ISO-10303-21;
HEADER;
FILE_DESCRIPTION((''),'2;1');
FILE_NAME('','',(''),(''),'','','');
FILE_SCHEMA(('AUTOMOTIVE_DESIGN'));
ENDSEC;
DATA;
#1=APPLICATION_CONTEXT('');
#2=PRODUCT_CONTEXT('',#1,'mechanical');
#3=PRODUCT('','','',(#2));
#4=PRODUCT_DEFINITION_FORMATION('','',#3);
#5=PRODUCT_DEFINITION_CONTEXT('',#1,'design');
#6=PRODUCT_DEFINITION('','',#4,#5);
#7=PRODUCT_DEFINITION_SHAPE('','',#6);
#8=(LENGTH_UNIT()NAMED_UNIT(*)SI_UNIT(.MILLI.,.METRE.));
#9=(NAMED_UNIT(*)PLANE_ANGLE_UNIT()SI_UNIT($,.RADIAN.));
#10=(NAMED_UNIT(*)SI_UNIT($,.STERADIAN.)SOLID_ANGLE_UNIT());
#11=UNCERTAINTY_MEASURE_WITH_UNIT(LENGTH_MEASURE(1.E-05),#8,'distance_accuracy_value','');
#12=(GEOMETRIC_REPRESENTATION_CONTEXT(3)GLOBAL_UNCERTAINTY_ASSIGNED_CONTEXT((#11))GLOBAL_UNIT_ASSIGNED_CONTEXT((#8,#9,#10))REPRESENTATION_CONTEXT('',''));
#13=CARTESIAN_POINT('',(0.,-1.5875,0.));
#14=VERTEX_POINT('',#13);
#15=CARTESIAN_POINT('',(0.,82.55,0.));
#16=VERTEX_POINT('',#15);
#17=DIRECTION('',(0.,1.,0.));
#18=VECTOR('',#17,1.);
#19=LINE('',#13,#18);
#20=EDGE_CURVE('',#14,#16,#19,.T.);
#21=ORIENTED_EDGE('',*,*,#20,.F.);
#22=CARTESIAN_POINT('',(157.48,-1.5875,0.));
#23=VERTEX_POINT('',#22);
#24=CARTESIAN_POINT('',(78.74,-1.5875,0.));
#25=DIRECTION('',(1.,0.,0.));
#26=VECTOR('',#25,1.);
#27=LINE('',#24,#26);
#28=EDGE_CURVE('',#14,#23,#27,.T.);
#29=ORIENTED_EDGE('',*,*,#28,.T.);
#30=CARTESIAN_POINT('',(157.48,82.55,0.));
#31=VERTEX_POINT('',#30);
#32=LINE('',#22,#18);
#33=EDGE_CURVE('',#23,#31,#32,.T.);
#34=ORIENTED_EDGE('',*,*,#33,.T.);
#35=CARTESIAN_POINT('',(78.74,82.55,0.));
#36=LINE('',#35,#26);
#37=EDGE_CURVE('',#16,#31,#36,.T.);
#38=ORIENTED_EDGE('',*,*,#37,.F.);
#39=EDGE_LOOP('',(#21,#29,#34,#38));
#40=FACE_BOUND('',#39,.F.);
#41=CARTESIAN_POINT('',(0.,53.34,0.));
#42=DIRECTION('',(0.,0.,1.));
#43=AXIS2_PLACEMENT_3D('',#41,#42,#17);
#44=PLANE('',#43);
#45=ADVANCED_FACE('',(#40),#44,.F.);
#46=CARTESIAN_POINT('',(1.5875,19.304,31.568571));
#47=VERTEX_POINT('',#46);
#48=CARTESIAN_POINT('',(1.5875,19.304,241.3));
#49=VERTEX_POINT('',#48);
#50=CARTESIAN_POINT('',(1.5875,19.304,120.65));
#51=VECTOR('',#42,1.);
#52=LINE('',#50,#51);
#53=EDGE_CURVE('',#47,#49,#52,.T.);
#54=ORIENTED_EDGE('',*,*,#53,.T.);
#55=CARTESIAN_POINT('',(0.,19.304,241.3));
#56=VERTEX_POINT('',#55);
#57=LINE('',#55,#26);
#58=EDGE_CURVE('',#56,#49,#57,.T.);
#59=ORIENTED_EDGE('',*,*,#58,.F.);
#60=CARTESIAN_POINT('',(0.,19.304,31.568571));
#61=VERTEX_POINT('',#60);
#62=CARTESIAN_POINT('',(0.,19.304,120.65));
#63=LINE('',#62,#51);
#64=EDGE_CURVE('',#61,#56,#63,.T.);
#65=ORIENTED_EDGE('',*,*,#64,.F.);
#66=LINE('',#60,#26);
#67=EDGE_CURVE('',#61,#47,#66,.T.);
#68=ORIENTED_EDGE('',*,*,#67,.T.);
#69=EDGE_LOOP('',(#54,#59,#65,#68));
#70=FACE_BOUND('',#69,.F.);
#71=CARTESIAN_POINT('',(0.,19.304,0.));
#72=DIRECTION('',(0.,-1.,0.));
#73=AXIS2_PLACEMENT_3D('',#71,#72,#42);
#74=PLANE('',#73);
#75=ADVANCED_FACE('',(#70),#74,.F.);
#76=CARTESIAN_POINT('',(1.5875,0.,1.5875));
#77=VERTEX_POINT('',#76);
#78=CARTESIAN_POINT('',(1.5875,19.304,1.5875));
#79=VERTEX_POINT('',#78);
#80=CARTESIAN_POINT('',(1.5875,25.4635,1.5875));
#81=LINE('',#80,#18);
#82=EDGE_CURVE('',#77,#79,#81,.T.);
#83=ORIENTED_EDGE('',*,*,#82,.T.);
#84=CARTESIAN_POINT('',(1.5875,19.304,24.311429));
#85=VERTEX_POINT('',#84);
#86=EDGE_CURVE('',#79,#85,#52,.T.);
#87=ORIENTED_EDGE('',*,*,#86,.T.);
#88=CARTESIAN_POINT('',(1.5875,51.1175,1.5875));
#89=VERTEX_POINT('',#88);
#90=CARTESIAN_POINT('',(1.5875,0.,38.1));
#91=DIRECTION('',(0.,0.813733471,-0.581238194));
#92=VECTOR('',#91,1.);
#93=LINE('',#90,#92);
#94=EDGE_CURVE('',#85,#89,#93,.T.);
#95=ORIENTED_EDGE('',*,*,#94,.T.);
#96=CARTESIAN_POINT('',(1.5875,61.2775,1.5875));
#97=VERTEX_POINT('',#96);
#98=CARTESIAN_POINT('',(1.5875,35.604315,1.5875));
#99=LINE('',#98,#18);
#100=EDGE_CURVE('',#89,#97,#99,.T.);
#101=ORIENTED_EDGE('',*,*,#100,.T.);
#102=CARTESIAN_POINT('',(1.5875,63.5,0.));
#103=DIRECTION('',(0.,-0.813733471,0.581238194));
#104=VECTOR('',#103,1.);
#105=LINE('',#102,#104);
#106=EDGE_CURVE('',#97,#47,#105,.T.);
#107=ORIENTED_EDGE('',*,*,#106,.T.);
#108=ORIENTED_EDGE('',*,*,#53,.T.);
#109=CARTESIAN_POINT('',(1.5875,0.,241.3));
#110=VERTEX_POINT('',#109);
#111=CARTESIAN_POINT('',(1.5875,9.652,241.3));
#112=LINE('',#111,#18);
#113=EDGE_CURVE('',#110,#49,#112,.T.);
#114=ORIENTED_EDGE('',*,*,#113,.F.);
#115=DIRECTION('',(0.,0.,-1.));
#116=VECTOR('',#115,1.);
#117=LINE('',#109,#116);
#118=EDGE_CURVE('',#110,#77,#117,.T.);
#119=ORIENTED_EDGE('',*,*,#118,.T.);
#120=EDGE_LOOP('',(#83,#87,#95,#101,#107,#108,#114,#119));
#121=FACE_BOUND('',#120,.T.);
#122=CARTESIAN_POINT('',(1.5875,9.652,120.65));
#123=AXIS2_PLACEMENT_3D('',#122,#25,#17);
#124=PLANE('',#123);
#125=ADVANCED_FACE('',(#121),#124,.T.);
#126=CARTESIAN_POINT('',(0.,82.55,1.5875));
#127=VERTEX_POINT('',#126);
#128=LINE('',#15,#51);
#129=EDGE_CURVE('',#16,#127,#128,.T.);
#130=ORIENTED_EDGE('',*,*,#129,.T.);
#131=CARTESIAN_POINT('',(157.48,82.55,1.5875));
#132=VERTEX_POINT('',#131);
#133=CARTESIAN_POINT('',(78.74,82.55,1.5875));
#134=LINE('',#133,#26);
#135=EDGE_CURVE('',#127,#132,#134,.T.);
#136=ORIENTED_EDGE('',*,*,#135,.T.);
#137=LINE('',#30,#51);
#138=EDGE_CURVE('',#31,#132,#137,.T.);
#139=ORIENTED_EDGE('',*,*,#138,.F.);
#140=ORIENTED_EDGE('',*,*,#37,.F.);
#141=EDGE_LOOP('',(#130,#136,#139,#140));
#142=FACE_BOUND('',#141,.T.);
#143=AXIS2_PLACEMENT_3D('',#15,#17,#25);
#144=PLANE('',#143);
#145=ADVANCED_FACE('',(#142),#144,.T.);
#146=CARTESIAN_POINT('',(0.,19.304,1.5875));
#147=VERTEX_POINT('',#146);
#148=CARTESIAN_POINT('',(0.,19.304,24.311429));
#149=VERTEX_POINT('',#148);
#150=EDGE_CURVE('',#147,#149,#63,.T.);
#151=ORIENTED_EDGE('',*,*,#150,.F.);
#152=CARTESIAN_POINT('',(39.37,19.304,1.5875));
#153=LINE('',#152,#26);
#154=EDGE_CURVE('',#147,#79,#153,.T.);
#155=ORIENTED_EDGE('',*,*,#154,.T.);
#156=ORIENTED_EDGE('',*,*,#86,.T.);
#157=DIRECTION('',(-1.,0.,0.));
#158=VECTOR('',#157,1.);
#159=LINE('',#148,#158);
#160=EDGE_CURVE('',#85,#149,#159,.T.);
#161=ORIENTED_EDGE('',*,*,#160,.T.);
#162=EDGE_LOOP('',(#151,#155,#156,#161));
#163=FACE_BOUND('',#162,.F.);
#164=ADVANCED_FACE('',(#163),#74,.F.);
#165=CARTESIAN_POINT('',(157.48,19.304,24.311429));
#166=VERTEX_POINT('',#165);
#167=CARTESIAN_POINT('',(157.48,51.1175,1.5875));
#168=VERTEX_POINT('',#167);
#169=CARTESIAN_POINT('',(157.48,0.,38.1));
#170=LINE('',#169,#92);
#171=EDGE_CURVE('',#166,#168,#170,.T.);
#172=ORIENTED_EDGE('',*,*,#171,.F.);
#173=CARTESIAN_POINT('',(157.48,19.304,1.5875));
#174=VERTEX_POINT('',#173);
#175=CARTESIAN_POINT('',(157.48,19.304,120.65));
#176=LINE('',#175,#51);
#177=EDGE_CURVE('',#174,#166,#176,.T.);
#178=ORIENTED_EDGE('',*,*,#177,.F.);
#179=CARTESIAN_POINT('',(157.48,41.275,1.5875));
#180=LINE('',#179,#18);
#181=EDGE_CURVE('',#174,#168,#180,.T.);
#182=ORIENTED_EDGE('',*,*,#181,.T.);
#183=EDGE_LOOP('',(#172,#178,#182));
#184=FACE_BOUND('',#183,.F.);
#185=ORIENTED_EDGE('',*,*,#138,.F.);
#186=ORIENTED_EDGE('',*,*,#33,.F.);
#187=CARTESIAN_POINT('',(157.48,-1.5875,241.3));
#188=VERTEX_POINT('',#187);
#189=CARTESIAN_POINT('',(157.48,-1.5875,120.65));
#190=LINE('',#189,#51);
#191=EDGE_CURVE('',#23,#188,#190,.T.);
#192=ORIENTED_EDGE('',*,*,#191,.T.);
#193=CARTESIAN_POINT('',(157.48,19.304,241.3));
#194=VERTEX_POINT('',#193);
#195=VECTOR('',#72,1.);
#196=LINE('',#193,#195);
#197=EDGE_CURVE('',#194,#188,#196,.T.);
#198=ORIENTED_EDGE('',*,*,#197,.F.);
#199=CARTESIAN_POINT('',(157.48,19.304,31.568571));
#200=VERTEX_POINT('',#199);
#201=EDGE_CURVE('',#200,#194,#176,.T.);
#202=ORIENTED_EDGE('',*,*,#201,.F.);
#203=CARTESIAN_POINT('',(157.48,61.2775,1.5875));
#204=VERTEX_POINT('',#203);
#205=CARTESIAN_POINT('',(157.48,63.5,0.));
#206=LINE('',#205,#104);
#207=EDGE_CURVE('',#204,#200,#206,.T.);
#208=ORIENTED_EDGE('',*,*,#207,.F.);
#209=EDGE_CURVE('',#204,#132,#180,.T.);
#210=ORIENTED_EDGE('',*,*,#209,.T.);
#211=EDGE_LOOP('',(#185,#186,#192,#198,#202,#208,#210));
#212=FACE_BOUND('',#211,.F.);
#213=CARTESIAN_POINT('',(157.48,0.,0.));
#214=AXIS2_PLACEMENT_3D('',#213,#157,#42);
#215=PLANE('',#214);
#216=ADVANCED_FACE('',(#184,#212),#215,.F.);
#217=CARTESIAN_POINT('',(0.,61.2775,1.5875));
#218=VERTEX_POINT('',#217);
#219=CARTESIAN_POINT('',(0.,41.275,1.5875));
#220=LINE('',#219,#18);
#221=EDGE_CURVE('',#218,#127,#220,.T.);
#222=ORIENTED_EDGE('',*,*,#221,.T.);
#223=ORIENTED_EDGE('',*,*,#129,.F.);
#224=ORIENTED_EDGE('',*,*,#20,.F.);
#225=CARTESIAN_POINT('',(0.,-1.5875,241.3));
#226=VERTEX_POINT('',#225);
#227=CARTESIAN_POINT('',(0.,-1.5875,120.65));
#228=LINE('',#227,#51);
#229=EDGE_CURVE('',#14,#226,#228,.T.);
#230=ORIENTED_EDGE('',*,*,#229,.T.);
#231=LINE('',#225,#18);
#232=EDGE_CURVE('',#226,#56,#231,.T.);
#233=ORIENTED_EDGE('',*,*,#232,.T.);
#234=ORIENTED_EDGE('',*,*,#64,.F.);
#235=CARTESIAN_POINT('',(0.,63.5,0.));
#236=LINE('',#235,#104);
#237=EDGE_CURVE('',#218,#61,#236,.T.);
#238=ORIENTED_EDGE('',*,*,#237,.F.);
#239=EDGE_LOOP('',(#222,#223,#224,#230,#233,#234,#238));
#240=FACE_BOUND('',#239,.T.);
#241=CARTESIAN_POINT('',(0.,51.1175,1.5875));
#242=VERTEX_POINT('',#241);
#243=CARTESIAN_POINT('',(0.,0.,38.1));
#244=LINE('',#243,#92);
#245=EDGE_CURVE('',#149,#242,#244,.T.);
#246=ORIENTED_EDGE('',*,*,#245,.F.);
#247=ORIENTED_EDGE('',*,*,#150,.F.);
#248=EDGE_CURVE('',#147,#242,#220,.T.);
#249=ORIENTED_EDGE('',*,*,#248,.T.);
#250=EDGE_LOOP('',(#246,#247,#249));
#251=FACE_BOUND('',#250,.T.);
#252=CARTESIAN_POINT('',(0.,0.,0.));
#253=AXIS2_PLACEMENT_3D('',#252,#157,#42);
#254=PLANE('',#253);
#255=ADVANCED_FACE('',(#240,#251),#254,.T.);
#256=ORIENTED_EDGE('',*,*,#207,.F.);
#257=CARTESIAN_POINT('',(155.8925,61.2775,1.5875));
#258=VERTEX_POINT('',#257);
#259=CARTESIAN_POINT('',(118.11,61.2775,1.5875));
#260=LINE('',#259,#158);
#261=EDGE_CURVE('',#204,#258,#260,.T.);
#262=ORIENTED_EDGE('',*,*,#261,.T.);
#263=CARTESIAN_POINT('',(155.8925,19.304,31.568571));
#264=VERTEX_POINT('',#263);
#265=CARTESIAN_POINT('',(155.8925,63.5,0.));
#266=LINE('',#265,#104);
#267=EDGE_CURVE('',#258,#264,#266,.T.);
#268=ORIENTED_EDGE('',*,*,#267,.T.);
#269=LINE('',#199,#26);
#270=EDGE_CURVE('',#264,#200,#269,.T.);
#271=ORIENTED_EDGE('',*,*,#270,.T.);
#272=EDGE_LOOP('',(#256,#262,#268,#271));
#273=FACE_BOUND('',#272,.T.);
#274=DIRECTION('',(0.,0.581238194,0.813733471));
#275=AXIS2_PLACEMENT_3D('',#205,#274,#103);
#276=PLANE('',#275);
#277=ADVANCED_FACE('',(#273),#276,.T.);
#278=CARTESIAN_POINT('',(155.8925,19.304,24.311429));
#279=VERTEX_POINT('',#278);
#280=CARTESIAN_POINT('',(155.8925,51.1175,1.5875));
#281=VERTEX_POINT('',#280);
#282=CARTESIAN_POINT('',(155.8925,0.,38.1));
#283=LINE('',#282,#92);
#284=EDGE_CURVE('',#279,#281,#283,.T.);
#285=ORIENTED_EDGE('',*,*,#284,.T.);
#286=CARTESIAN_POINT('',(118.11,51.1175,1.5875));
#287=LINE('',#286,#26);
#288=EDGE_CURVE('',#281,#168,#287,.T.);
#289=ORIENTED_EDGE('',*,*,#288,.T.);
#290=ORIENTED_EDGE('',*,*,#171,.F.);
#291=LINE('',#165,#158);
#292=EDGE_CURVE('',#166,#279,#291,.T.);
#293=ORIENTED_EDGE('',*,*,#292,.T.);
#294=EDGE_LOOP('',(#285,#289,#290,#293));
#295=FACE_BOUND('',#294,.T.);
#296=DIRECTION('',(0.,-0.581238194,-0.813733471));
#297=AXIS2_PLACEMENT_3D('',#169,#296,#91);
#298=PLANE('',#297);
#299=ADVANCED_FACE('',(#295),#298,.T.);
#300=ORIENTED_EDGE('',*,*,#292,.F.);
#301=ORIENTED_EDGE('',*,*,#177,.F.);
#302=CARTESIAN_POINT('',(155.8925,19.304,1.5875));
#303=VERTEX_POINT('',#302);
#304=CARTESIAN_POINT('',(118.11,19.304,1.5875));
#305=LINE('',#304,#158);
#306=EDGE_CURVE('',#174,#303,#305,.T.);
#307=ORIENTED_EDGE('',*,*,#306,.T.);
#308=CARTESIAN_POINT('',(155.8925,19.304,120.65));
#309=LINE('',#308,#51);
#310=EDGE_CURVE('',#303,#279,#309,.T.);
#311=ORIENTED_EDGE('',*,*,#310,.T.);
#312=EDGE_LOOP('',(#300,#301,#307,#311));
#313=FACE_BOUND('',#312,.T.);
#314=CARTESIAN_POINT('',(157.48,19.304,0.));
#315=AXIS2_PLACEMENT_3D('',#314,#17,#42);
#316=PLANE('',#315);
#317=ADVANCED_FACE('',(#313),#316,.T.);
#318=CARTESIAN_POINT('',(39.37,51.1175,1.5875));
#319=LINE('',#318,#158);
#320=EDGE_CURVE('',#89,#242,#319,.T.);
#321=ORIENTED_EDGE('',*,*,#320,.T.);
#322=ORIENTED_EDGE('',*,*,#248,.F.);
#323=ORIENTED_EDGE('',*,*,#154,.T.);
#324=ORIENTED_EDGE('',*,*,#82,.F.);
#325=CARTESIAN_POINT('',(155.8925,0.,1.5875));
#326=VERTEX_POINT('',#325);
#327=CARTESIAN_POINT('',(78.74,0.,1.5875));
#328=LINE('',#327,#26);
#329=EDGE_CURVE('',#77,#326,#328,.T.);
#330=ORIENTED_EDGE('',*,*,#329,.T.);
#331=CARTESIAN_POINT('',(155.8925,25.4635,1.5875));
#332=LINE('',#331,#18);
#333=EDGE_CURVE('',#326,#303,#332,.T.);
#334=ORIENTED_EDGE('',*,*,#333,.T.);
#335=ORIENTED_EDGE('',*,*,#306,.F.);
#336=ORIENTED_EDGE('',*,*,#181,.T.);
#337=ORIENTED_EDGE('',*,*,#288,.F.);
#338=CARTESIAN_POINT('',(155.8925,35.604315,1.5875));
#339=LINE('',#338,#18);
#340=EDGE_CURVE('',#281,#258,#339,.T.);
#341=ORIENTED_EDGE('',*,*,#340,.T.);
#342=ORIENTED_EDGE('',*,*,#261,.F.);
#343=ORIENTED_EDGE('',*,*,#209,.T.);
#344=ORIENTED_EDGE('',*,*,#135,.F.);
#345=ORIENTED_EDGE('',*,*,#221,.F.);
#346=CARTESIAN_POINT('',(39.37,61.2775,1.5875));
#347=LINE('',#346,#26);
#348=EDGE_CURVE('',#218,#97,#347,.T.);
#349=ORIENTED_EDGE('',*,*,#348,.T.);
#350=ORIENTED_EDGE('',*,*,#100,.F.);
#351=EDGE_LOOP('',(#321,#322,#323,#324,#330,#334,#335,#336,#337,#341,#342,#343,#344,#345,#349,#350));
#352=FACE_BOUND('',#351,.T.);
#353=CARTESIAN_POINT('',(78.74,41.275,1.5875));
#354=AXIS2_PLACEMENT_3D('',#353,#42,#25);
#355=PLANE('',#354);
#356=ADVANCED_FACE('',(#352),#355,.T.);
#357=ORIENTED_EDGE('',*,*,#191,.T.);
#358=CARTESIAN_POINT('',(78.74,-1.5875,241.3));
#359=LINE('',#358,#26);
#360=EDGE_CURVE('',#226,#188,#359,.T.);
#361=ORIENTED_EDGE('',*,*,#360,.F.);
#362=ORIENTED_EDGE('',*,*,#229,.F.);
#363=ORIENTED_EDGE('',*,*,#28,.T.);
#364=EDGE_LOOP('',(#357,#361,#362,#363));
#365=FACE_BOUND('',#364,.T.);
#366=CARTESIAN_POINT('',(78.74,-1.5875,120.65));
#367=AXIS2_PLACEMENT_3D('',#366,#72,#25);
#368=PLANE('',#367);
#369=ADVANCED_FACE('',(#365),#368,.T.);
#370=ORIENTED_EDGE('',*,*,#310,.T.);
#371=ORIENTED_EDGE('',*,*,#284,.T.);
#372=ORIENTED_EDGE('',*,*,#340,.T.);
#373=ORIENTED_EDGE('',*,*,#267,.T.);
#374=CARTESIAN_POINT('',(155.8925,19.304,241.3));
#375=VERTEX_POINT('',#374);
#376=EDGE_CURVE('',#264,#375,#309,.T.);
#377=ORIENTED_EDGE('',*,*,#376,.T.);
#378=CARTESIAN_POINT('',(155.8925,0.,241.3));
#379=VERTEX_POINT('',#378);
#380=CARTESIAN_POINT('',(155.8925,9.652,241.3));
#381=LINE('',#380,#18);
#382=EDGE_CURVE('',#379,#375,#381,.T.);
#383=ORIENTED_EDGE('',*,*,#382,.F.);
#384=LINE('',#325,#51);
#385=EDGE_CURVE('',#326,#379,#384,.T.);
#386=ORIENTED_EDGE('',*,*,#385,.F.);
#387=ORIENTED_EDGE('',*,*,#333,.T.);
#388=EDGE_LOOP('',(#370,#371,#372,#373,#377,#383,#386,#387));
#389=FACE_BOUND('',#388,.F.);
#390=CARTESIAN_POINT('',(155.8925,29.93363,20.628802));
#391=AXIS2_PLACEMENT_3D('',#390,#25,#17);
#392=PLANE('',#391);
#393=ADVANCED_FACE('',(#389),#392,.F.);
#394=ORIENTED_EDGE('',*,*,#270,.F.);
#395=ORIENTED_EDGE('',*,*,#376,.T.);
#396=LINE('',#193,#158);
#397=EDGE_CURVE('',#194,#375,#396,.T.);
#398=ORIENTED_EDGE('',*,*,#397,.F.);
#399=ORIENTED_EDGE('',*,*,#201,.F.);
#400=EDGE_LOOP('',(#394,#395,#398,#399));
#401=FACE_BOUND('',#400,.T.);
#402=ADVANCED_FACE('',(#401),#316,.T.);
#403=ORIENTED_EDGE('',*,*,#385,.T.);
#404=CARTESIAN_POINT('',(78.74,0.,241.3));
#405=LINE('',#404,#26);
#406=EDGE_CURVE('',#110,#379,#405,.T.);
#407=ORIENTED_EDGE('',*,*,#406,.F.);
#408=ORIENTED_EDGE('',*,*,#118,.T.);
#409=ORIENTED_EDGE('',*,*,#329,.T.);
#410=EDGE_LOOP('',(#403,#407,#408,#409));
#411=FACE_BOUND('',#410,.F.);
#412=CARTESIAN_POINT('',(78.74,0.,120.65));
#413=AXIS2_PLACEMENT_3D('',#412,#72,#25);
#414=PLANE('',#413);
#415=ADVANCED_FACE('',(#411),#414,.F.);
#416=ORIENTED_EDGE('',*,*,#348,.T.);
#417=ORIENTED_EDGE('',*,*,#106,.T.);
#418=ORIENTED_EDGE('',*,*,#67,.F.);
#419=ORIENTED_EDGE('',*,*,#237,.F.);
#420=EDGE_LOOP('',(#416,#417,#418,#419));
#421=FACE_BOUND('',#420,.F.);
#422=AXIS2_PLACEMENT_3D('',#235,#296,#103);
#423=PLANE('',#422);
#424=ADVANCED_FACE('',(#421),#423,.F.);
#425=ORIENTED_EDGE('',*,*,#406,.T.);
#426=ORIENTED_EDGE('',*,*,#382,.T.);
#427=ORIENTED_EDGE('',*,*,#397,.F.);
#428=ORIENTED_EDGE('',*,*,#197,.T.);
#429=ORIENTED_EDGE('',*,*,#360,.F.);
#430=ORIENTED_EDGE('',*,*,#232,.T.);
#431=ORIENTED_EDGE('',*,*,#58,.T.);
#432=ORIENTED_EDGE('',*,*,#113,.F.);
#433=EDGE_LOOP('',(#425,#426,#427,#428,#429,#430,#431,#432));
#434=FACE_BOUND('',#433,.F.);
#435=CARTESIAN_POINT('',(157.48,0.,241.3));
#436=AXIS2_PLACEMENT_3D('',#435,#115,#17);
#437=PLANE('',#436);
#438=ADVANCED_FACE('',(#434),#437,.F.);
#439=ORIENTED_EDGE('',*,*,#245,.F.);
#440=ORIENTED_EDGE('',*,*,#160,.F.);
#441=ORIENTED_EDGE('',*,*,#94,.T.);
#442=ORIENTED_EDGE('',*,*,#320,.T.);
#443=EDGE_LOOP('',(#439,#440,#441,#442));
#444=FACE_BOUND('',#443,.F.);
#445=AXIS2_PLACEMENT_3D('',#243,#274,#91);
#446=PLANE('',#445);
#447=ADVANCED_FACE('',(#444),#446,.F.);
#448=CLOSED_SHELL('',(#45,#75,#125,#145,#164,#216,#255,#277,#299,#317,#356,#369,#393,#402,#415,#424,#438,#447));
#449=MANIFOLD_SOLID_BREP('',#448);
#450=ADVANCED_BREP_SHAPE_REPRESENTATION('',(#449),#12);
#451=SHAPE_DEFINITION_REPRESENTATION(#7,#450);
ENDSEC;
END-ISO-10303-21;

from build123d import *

# Parameters (mm, degrees)
F0_W      = 157.48
F0_H      = 82.55
F1_DEPTH  = 1.5875
F2_W      = 157.48
F2_H      = 241.3
F3_DEPTH  = 1.5875
F4_W      = 19.304
F4_H      = 241.3
F5_DEPTH  = 1.5875
F7_W      = 24.9697454274
F7_H      = 239.1684796894
F8_DEPTH  = 1.5875
F10_W     = 19.304
F10_H     = 241.3
F11_DEPTH = 1.5875
F13_DEPTH = 1.5875
F15_DEPTH = 1.5875


with BuildPart() as f1:
    # F0 (on Top) → F1 (new body)
    with BuildSketch(Plane.XY):
        with Locations((78.74, 41.275)):
            Rectangle(F0_W, F0_H)
    extrude(amount=F1_DEPTH)

    # F2 (on Front) → F3 (join)
    with BuildSketch(Plane.XZ):
        with Locations((78.74, 120.65)):
            Rectangle(F2_W, F2_H)
    extrude(amount=F3_DEPTH)

    # F4 (on Right) → F5 (join)
    with BuildSketch(Plane.YZ):
        with Locations((9.652, 120.65)):
            Rectangle(F4_W, F4_H)
    extrude(amount=F5_DEPTH)

    # F10 (on 3pt) → F11 (join)
    with BuildSketch(Plane.YZ.offset(157.48)):
        with Locations((9.652, 120.65)):
            Rectangle(F10_W, F10_H)
    extrude(amount=-F11_DEPTH)

    # F12 (on 3pt) → F13 (join)
    with BuildSketch(Plane.YZ.offset(157.48)):
        Polygon((63.5, 0), (0, 45.3571428571), (0, 38.1), (53.34, 0), align=None)
    extrude(amount=-F13_DEPTH)

    # F14 (on Right) → F15 (join)
    with BuildSketch(Plane.YZ):
        Polygon((63.5, 0), (0, 45.3571428571), (0, 38.1), (53.34, 0), align=None)
    extrude(amount=F15_DEPTH)


with BuildPart() as f8:
    # F7 (on 3pt) → F8 (new body)
    with BuildSketch(Plane.YZ.offset(157.48)):
        with Locations((12.4848727137, 121.3677601772)):
            Rectangle(F7_W, F7_H)
    extrude(amount=-F8_DEPTH)


solid = f1.part
